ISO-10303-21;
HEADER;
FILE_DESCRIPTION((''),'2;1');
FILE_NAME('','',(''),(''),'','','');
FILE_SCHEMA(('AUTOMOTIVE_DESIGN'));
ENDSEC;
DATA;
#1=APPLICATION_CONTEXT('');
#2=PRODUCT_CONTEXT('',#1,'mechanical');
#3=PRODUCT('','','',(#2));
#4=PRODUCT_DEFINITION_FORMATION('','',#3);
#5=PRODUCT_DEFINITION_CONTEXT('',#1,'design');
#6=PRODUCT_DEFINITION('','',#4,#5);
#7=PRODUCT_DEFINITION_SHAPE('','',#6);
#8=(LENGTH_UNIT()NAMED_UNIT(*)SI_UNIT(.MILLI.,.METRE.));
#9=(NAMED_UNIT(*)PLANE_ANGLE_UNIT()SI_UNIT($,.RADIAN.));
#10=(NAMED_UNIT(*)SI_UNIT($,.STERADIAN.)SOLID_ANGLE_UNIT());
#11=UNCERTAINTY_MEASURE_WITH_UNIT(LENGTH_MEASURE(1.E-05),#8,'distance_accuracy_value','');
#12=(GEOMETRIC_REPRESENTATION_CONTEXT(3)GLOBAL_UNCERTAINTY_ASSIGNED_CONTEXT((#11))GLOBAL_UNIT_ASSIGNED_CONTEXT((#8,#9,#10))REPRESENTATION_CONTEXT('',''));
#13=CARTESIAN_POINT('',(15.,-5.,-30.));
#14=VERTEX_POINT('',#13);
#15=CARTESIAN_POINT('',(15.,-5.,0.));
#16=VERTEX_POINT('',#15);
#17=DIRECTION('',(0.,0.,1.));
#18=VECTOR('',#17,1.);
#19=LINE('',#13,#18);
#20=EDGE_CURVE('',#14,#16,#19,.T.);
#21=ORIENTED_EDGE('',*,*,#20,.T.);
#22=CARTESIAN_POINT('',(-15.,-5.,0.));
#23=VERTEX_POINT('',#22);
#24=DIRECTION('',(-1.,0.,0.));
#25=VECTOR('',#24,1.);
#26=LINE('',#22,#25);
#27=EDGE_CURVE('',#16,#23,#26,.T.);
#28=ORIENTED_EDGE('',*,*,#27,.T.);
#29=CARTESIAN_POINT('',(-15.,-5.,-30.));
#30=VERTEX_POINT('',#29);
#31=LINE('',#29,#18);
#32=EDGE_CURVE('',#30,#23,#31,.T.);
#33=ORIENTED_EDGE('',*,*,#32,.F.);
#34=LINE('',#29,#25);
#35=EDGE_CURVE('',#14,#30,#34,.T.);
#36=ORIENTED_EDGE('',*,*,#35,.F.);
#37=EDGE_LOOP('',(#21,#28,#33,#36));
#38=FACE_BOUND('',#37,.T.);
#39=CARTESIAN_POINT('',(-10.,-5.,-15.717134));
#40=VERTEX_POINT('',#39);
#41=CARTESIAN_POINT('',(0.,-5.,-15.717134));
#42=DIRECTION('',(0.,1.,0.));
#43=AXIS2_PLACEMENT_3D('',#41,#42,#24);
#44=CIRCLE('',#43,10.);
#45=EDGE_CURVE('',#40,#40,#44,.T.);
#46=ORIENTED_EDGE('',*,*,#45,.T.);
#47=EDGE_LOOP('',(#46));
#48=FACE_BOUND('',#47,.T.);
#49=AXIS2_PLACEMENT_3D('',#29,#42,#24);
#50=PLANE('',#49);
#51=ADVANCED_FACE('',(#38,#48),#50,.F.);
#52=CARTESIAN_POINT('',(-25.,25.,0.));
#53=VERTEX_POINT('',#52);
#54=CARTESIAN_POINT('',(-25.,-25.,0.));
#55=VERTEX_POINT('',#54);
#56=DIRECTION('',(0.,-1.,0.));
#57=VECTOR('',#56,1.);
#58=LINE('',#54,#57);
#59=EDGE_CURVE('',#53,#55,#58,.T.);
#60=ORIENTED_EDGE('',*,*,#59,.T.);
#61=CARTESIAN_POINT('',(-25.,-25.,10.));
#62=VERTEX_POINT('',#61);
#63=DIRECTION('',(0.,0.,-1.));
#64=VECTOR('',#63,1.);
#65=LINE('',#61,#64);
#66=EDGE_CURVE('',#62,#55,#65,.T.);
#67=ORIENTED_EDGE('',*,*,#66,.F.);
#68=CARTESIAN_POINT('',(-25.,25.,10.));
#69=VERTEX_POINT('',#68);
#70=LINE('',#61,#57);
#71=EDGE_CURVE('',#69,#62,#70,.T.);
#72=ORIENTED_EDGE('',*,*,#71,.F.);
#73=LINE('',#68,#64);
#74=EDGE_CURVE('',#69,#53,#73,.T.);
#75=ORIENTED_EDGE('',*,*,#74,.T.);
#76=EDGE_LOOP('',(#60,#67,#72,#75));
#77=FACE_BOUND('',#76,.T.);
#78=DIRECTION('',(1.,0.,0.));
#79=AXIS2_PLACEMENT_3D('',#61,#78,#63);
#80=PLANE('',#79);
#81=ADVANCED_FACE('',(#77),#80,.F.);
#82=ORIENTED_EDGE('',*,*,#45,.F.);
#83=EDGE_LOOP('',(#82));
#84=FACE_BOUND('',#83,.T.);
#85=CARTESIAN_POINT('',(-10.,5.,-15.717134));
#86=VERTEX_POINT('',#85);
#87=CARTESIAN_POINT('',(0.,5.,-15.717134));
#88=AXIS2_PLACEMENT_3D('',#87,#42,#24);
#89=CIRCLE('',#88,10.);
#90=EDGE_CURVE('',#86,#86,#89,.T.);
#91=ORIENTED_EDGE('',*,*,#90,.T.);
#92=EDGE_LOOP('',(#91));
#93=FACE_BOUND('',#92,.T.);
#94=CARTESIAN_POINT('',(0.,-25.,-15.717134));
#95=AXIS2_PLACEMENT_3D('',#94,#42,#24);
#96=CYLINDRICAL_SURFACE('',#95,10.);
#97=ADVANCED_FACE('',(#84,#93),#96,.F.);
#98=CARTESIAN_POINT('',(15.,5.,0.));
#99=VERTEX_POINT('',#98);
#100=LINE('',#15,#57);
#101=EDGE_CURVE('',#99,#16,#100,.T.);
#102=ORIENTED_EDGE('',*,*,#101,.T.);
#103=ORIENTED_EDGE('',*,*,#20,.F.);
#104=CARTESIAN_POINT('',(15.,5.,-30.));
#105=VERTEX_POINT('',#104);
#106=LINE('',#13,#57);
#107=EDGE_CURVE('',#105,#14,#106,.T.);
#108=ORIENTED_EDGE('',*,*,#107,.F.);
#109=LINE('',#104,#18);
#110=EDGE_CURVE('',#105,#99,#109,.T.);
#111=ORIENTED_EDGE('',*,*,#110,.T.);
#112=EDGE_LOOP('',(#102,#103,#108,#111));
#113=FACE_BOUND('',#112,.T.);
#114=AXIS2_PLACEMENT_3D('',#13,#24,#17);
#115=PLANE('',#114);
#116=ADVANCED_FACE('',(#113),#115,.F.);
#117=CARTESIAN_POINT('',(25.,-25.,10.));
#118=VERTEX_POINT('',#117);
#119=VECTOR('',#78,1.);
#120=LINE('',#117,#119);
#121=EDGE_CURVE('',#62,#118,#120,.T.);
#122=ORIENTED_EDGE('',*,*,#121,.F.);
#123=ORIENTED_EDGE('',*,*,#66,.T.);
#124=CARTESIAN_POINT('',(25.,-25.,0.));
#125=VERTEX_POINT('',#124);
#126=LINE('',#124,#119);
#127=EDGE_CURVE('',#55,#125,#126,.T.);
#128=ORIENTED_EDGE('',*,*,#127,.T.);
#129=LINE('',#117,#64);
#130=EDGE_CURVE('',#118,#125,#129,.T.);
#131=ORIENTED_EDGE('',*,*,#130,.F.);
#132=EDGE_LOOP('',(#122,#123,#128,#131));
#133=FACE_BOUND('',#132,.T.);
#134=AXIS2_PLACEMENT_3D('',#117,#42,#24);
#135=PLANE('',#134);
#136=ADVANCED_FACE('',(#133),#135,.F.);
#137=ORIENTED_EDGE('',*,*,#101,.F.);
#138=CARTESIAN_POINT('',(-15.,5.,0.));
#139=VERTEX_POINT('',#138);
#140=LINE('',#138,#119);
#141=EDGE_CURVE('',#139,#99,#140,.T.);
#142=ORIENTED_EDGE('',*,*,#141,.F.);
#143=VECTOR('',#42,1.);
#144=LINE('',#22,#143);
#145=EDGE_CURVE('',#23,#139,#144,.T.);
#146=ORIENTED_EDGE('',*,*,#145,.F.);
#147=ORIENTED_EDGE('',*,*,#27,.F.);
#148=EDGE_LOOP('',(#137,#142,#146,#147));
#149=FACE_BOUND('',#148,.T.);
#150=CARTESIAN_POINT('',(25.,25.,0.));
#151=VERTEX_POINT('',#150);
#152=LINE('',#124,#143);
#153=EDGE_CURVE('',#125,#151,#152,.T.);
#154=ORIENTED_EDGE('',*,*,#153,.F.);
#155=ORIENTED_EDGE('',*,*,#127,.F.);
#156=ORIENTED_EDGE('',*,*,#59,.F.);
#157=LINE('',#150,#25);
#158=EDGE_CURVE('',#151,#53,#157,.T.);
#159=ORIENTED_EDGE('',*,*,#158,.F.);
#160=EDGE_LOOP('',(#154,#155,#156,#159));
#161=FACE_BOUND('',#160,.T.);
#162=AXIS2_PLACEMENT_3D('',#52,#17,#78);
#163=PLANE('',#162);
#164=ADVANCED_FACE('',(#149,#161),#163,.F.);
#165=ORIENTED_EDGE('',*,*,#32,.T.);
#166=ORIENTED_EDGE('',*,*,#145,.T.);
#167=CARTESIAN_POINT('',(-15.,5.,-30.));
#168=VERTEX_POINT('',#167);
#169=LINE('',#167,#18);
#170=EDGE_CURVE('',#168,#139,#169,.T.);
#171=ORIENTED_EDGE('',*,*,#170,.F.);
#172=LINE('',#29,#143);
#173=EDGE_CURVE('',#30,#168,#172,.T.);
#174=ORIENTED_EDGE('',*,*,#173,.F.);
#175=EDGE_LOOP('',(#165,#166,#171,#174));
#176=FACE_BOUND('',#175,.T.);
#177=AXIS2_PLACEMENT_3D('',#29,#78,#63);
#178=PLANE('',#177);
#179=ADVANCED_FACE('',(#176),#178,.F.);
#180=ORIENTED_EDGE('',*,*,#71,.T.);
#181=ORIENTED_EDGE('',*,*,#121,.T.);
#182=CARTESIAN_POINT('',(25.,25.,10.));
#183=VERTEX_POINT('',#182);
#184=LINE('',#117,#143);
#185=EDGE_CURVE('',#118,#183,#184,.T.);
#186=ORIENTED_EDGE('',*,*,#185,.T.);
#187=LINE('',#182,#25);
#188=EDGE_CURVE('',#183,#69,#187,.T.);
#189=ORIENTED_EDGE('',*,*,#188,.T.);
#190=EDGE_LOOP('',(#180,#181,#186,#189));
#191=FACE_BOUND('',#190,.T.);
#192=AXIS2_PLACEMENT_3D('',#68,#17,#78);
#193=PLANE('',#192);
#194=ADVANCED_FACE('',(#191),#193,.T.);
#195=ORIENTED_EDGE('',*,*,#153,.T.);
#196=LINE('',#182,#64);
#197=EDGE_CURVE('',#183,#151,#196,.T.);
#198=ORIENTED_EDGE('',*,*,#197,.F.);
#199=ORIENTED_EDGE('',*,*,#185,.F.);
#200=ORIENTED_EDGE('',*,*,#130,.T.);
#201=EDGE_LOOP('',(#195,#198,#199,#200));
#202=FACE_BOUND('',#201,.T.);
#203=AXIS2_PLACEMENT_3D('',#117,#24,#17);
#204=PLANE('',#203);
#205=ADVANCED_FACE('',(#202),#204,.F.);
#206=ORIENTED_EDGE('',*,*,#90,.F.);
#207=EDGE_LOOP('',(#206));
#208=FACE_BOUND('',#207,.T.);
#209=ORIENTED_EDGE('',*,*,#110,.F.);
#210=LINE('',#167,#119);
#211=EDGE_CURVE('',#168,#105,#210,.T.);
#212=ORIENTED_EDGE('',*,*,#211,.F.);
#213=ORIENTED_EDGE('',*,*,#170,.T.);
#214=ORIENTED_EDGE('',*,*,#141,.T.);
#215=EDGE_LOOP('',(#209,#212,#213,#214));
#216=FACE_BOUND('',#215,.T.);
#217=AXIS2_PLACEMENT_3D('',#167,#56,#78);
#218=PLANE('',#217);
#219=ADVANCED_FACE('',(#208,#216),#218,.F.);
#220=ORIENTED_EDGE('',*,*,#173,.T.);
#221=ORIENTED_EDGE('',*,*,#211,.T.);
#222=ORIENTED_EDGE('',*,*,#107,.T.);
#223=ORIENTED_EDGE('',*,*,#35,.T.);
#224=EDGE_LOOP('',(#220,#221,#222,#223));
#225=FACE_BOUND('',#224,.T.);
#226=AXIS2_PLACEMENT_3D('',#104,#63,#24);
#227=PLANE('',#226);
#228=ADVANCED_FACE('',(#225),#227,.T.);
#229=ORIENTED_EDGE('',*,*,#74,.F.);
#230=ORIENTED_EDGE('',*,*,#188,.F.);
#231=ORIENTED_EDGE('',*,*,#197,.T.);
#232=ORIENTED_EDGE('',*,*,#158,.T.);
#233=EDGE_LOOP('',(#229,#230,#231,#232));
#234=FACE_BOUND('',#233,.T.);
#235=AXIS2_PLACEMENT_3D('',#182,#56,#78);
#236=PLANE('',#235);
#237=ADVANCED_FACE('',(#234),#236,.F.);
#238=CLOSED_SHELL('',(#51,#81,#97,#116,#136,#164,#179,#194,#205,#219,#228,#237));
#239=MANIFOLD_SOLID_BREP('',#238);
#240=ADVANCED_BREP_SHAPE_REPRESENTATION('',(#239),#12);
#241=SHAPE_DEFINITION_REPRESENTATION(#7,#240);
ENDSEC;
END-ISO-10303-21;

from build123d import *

# Parameters (mm, degrees)
SKETCH_1_W          = 50
SKETCH_1_H          = 50
EXTRUDE_1_DEPTH     = 10
SKETCH_2_W          = 30
SKETCH_2_H          = 10
EXTRUDE_2_DEPTH     = 30
SKETCH_3_R          = 10
CUT_EXTRUDE_1_DEPTH = 30


with BuildPart() as part:
    # 草图1 → 凸台-拉伸1 (new body)
    with BuildSketch(Plane.XY):
        Rectangle(SKETCH_1_W, SKETCH_1_H)
    extrude(amount=EXTRUDE_1_DEPTH)

    # 草图2 → 凸台-拉伸2 (add)
    with BuildSketch(Plane(origin=(0, 0, 0), x_dir=(-1, 0, 0), z_dir=(0, 0, -1))):
        Rectangle(SKETCH_2_W, SKETCH_2_H)
    extrude(amount=EXTRUDE_2_DEPTH)

    # 草图3 → 切除-拉伸1 (cut)
    with BuildSketch(Plane(origin=(0, 5, 0), x_dir=(1, 0, 0), z_dir=(0, 1, 0))):
        with Locations(Location((0, 15.717133963, 0), (0, 0, 180))):
            Circle(SKETCH_3_R)
    extrude(amount=-CUT_EXTRUDE_1_DEPTH, mode=Mode.SUBTRACT)


solid = part.part
